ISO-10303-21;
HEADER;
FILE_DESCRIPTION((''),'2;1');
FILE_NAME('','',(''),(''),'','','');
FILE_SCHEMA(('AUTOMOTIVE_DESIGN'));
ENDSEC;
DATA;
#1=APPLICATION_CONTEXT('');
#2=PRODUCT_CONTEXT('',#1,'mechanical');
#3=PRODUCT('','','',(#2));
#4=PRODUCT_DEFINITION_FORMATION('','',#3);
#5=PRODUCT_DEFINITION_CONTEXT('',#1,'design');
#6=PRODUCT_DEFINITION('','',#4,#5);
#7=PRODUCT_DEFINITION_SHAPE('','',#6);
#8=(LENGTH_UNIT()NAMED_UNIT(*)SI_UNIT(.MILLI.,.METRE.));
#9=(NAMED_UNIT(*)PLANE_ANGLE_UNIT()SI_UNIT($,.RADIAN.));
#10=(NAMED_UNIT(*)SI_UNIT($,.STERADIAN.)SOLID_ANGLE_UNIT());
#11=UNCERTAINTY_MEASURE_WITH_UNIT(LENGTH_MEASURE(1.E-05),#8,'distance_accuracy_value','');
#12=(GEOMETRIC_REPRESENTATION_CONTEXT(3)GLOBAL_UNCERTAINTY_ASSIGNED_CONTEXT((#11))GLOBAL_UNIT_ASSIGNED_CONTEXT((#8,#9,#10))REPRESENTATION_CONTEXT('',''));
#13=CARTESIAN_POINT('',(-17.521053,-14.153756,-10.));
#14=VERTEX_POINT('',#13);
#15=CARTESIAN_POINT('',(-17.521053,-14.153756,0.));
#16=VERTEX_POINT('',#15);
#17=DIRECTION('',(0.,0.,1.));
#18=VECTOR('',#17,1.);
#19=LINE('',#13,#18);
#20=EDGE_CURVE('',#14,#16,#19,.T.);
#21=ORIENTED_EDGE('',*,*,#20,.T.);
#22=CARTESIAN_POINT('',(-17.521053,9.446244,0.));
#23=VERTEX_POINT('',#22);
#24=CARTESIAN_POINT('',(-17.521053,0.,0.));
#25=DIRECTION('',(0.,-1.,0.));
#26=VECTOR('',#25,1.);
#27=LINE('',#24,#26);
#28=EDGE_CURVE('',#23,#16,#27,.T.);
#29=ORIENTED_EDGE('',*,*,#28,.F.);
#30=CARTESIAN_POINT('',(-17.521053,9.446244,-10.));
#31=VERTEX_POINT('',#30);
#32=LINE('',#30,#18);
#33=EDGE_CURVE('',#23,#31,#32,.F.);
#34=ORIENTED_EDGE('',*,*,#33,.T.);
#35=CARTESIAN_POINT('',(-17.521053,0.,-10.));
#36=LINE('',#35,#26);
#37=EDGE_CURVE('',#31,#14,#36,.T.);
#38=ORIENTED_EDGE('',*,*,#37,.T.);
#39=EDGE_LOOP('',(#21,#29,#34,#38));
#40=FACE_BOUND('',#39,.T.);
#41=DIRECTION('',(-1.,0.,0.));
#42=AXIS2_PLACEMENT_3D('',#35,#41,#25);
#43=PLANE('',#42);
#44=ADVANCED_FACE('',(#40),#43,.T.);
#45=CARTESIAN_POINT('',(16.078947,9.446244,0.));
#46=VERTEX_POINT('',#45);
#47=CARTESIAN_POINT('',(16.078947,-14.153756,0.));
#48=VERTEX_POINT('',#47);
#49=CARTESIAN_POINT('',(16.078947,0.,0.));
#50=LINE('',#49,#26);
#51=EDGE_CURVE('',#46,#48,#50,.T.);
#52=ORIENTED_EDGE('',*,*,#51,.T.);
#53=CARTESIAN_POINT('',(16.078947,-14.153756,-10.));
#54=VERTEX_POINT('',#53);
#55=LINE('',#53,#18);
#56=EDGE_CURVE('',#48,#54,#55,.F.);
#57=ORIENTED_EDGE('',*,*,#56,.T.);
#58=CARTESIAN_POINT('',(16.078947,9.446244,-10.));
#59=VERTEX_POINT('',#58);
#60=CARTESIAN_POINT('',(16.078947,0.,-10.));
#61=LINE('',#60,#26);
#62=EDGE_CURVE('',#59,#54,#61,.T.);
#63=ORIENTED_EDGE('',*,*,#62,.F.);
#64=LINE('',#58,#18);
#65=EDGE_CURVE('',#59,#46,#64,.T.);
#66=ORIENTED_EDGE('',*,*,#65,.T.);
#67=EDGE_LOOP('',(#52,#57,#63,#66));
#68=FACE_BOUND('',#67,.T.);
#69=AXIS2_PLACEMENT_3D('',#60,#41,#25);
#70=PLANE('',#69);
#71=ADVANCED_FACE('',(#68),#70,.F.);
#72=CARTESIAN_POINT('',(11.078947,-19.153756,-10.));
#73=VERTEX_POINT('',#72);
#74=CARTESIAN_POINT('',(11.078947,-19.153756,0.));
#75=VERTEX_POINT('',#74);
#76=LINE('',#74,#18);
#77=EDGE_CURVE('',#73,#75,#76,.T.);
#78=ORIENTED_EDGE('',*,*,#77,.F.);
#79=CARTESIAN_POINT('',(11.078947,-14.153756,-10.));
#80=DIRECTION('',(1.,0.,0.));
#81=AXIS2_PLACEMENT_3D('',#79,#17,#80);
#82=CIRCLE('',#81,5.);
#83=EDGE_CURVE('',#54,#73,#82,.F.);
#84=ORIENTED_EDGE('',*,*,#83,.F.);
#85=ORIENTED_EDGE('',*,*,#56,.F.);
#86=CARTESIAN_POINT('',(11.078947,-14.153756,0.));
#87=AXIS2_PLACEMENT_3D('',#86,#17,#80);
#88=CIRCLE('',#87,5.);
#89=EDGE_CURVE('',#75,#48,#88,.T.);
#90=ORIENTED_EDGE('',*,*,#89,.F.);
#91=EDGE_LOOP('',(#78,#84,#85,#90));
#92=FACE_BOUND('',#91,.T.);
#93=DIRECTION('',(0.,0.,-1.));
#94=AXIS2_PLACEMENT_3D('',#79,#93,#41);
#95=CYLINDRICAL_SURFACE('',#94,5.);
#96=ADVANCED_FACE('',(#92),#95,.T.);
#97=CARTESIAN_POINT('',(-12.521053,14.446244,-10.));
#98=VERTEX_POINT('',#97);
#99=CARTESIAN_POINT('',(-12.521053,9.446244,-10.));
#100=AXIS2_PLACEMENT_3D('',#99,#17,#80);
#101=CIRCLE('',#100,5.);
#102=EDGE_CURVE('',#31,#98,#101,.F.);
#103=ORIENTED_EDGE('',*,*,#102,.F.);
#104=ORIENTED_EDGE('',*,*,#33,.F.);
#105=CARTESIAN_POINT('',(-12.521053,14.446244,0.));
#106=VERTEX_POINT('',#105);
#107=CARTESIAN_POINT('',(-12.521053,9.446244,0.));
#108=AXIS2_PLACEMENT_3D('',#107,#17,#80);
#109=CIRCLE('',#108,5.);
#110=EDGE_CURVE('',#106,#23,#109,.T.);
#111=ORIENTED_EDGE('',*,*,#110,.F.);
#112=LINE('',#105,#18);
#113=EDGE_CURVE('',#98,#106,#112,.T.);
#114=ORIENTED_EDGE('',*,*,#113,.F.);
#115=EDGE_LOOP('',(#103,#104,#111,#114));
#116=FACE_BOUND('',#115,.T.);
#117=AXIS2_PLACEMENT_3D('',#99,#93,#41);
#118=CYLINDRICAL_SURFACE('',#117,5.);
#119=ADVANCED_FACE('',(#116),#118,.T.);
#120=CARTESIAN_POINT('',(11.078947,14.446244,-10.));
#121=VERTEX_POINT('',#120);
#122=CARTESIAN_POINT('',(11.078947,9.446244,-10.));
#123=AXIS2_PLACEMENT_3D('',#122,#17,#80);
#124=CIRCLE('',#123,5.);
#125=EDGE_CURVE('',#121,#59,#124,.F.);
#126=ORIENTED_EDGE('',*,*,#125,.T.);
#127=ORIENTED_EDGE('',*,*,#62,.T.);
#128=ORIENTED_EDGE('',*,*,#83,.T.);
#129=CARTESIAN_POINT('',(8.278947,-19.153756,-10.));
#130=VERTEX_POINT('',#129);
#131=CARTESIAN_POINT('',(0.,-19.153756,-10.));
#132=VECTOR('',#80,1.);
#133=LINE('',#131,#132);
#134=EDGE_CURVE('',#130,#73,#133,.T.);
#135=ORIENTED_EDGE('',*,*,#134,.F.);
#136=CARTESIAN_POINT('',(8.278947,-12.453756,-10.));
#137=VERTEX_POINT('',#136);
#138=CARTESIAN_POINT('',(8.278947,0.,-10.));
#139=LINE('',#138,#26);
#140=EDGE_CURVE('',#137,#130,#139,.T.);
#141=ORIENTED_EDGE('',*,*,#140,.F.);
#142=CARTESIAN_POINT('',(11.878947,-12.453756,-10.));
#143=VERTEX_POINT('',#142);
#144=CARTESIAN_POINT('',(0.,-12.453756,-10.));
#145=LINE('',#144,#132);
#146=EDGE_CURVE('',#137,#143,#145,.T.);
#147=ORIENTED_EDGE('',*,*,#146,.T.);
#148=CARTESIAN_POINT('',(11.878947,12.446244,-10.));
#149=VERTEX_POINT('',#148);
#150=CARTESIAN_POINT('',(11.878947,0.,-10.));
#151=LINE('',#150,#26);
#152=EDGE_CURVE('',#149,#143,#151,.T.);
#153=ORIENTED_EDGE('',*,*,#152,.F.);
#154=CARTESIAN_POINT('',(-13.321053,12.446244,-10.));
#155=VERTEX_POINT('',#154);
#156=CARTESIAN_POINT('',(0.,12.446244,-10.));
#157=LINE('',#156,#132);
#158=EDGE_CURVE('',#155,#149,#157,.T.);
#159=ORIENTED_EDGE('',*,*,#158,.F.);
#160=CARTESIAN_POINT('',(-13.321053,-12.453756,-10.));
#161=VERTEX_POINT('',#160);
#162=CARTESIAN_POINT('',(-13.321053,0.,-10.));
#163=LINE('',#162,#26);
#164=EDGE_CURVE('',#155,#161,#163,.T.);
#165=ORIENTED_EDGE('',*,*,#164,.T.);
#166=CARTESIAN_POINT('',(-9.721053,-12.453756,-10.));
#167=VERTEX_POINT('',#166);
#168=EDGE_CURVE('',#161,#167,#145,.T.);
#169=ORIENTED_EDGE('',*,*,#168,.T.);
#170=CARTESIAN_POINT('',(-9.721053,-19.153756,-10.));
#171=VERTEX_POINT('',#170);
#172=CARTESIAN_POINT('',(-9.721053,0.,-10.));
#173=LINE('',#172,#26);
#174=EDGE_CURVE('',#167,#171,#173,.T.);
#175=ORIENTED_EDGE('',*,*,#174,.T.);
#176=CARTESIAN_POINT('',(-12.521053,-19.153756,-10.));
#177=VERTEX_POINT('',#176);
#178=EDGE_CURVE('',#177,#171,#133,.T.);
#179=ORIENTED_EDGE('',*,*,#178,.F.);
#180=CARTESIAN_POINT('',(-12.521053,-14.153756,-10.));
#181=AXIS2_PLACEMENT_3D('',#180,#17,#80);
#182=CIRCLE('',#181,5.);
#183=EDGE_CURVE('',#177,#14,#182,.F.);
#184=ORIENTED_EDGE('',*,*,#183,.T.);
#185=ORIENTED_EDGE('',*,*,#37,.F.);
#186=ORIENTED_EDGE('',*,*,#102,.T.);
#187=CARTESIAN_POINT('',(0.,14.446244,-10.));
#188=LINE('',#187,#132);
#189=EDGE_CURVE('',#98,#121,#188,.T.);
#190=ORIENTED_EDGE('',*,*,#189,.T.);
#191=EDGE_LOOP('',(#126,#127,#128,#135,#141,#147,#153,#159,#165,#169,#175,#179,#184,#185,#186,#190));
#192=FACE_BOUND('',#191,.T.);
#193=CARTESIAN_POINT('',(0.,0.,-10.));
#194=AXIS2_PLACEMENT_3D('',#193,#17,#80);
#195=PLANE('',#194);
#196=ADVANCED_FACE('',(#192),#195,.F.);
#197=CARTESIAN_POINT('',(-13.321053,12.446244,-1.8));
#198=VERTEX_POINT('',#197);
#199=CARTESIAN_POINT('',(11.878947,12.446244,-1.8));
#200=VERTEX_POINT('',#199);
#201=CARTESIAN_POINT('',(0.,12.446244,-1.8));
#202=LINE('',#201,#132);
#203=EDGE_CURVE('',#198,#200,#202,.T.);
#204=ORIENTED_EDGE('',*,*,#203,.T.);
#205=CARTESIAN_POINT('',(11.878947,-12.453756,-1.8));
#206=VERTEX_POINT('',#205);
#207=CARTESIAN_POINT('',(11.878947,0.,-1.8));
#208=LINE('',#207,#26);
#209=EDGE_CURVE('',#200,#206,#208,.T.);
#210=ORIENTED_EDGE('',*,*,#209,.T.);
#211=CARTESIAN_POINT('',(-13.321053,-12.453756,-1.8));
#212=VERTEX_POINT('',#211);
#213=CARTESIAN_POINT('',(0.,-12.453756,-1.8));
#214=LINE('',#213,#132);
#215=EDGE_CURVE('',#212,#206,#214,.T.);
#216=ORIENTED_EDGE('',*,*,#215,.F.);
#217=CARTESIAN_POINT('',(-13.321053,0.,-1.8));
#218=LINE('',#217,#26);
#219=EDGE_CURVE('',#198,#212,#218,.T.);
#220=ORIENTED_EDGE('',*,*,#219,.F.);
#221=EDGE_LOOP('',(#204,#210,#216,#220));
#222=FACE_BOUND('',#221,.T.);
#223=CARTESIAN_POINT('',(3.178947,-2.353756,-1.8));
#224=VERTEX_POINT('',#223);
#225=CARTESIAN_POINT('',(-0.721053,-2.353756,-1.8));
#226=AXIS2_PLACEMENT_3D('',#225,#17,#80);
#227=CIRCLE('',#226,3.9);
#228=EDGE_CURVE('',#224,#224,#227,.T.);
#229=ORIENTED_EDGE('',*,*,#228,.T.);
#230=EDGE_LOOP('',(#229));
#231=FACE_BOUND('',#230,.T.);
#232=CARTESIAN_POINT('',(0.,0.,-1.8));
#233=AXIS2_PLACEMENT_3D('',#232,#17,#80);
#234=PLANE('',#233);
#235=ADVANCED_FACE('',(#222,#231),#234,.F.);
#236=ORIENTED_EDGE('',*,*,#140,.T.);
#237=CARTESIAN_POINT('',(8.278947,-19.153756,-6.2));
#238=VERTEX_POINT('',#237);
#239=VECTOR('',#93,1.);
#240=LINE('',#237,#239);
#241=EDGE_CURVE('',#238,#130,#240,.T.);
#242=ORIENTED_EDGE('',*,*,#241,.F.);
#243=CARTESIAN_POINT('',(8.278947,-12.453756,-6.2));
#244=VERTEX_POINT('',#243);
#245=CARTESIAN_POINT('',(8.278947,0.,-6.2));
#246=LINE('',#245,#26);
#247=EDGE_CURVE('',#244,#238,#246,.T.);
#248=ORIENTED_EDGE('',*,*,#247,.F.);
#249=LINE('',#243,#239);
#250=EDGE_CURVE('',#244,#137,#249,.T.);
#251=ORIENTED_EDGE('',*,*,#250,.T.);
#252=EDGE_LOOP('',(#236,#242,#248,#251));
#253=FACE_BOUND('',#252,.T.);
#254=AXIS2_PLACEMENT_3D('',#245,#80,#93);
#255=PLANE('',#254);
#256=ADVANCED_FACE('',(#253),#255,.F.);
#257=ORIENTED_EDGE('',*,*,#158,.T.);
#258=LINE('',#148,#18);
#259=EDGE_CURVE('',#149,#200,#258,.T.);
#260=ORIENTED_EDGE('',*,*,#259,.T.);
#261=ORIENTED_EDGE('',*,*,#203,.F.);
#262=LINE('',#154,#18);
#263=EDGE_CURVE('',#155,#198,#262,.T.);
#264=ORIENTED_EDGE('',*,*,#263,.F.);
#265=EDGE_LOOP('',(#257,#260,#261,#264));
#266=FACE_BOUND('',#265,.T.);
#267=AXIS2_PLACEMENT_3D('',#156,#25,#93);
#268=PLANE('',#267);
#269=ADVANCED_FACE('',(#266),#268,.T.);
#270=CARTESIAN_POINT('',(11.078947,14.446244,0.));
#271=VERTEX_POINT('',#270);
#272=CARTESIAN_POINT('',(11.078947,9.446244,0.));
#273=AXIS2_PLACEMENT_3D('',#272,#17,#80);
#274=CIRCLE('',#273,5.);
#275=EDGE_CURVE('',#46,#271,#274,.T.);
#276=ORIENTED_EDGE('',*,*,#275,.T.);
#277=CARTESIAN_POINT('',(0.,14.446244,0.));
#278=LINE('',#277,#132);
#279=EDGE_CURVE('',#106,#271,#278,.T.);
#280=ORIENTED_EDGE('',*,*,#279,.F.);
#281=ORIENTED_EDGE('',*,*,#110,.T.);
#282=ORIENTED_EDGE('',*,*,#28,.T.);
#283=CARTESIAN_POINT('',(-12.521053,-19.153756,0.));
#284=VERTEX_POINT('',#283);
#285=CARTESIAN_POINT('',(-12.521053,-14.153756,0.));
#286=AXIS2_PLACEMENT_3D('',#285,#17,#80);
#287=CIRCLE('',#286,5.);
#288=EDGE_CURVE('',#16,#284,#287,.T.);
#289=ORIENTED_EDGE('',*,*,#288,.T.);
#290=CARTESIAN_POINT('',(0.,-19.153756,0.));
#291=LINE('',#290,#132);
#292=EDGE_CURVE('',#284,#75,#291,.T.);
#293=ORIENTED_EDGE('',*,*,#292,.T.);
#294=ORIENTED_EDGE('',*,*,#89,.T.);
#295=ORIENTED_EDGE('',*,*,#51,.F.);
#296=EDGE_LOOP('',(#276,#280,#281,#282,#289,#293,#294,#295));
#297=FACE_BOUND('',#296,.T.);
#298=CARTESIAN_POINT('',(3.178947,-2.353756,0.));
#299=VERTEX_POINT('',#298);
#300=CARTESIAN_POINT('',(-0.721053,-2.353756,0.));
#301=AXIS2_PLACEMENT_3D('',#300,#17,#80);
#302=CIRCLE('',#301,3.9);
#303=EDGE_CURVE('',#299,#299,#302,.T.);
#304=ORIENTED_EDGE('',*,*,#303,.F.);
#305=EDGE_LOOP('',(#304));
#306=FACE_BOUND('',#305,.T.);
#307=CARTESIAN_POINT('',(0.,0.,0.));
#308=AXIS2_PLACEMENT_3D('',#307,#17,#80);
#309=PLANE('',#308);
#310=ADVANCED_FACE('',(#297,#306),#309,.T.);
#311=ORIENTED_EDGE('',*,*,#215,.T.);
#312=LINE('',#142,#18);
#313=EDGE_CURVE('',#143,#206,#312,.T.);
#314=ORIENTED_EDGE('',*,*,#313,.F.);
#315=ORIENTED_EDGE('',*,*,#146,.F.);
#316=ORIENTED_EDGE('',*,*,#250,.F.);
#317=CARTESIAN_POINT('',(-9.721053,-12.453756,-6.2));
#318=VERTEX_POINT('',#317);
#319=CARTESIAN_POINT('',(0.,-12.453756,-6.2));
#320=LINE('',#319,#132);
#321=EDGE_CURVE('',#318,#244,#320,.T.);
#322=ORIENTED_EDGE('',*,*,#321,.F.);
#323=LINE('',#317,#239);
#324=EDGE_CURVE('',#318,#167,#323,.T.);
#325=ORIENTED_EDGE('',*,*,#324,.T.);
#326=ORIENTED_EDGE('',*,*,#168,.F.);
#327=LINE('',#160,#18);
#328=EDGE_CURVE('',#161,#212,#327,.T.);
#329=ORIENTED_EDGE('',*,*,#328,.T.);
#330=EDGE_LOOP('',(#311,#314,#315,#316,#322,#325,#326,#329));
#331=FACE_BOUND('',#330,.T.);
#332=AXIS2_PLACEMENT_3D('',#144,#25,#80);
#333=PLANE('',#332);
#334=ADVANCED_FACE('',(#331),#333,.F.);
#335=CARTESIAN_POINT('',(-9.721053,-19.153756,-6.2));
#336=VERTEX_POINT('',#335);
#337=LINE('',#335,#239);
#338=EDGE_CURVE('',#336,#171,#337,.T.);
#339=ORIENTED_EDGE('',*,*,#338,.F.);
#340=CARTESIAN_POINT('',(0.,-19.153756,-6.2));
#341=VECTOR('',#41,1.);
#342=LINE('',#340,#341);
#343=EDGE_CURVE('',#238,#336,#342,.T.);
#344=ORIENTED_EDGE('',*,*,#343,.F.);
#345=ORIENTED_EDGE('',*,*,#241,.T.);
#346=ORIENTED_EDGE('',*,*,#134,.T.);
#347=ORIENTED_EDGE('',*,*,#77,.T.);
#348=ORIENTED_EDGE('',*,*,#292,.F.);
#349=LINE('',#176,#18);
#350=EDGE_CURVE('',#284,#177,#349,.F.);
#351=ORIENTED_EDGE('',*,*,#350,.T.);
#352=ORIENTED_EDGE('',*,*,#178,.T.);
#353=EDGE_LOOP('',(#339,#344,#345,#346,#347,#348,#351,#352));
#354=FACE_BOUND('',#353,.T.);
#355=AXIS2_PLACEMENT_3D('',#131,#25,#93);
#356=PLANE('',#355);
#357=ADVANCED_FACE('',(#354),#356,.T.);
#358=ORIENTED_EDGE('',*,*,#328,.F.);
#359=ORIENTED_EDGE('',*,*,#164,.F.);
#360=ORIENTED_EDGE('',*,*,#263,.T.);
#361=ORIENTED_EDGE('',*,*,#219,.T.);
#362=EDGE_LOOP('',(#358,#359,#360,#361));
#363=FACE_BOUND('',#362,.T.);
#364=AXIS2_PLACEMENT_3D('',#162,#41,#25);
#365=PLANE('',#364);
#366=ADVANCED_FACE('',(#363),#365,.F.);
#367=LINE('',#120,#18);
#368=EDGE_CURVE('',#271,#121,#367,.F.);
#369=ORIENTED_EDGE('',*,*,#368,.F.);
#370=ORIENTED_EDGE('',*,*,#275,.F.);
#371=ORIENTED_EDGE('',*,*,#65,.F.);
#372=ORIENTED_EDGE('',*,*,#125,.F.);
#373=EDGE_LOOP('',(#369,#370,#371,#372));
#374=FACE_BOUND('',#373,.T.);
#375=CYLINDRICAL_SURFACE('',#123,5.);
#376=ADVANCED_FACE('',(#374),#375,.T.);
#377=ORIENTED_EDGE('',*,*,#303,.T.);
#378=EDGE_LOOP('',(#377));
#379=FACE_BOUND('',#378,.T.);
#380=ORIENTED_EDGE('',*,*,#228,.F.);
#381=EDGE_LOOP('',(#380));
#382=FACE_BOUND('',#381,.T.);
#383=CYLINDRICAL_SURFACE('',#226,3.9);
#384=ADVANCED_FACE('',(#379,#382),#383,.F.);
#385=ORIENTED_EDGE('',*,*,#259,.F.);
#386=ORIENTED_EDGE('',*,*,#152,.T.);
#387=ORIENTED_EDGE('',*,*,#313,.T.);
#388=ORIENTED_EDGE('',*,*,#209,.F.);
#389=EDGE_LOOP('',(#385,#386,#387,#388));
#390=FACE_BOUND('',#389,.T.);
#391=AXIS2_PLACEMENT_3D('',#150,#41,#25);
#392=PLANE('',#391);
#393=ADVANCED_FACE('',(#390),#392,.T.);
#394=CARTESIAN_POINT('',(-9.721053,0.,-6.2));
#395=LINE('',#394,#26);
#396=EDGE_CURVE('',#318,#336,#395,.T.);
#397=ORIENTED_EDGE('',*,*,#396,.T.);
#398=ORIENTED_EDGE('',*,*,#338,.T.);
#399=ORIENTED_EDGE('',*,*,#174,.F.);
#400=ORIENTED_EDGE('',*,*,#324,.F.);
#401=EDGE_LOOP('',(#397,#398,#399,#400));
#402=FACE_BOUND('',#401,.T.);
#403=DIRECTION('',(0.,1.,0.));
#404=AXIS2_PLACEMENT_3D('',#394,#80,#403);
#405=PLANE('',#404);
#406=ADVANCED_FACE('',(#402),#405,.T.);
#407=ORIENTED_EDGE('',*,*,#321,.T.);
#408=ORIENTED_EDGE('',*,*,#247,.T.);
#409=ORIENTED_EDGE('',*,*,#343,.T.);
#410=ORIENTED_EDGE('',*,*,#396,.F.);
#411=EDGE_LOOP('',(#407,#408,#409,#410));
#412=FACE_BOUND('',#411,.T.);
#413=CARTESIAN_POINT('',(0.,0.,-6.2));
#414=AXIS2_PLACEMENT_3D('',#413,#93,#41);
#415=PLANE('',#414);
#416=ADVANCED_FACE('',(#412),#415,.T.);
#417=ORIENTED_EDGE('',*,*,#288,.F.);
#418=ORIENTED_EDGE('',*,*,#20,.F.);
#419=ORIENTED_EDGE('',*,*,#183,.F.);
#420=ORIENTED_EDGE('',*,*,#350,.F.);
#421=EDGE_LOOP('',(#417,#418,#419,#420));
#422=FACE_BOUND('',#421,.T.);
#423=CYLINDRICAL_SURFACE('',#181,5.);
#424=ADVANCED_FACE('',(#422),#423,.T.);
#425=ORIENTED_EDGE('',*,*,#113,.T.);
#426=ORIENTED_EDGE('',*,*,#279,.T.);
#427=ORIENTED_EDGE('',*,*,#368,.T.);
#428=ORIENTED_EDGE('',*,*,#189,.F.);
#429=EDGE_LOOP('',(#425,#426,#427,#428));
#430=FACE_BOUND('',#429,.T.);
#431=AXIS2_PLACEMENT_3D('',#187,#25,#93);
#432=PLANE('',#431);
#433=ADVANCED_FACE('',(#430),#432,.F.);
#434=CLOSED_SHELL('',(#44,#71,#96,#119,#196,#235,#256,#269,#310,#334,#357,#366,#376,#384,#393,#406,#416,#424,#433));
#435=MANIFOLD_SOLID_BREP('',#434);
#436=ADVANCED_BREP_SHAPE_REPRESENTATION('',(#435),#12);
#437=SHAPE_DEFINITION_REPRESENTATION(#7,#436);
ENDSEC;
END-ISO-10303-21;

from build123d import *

# Parameters (mm, degrees)
SKETCH1_W           = 25.2
SKETCH1_H           = 24.9
SKETCH1_R           = 3.9
BOSS_EXTRUDE5_DEPTH = 1.8
SKETCH1_3_W         = 33.6
SKETCH1_3_H         = 33.6
SKETCH1_3_W_2       = 25.2
SKETCH1_3_H_2       = 24.9
BOSS_EXTRUDE6_DEPTH = 10
FILLET1_R           = 5
SKETCH3_W           = 18
SKETCH3_H           = 6.7
CUT_EXTRUDE1_DEPTH  = 3.8


with BuildPart() as part:
    # Sketch1 → Boss-Extrude5 (new body)
    with BuildSketch(Plane.XY):
        with Locations((-0.721052632, -0.003756028)):
            Rectangle(SKETCH1_W, SKETCH1_H)
        with Locations((-0.721052632, -2.353756028)):
            Circle(SKETCH1_R, mode=Mode.SUBTRACT)
    extrude(amount=-BOSS_EXTRUDE5_DEPTH)

    # Sketch1<3> → Boss-Extrude6 (add)
    with BuildSketch(Plane.XY):
        with Locations((-0.721052632, -2.353756028)):
            Rectangle(SKETCH1_3_W, SKETCH1_3_H)
        with Locations((-0.721052632, -0.003756028)):
            Rectangle(SKETCH1_3_W_2, SKETCH1_3_H_2, mode=Mode.SUBTRACT)
    extrude(amount=-BOSS_EXTRUDE6_DEPTH)

    # Fillet1
    fillet1_edges = [part.edges().sort_by_distance(p)[0] for p in [
        (16.078947368, 14.446243972, -5),
        (16.078947368, -19.153756028, -5),
        (-17.521052632, -19.153756028, -5),
        (-17.521052632, 14.446243972, -5),
    ]]
    fillet(fillet1_edges, radius=FILLET1_R)

    # Sketch3 → Cut-Extrude1 (cut)
    with BuildSketch(Plane(origin=(0, 0, -10), x_dir=(-1, 0, 0), z_dir=(0, 0, -1))):
        with Locations((0.721052632, -15.803756028)):
            Rectangle(SKETCH3_W, SKETCH3_H)
    extrude(amount=-CUT_EXTRUDE1_DEPTH, mode=Mode.SUBTRACT)


solid = part.part
